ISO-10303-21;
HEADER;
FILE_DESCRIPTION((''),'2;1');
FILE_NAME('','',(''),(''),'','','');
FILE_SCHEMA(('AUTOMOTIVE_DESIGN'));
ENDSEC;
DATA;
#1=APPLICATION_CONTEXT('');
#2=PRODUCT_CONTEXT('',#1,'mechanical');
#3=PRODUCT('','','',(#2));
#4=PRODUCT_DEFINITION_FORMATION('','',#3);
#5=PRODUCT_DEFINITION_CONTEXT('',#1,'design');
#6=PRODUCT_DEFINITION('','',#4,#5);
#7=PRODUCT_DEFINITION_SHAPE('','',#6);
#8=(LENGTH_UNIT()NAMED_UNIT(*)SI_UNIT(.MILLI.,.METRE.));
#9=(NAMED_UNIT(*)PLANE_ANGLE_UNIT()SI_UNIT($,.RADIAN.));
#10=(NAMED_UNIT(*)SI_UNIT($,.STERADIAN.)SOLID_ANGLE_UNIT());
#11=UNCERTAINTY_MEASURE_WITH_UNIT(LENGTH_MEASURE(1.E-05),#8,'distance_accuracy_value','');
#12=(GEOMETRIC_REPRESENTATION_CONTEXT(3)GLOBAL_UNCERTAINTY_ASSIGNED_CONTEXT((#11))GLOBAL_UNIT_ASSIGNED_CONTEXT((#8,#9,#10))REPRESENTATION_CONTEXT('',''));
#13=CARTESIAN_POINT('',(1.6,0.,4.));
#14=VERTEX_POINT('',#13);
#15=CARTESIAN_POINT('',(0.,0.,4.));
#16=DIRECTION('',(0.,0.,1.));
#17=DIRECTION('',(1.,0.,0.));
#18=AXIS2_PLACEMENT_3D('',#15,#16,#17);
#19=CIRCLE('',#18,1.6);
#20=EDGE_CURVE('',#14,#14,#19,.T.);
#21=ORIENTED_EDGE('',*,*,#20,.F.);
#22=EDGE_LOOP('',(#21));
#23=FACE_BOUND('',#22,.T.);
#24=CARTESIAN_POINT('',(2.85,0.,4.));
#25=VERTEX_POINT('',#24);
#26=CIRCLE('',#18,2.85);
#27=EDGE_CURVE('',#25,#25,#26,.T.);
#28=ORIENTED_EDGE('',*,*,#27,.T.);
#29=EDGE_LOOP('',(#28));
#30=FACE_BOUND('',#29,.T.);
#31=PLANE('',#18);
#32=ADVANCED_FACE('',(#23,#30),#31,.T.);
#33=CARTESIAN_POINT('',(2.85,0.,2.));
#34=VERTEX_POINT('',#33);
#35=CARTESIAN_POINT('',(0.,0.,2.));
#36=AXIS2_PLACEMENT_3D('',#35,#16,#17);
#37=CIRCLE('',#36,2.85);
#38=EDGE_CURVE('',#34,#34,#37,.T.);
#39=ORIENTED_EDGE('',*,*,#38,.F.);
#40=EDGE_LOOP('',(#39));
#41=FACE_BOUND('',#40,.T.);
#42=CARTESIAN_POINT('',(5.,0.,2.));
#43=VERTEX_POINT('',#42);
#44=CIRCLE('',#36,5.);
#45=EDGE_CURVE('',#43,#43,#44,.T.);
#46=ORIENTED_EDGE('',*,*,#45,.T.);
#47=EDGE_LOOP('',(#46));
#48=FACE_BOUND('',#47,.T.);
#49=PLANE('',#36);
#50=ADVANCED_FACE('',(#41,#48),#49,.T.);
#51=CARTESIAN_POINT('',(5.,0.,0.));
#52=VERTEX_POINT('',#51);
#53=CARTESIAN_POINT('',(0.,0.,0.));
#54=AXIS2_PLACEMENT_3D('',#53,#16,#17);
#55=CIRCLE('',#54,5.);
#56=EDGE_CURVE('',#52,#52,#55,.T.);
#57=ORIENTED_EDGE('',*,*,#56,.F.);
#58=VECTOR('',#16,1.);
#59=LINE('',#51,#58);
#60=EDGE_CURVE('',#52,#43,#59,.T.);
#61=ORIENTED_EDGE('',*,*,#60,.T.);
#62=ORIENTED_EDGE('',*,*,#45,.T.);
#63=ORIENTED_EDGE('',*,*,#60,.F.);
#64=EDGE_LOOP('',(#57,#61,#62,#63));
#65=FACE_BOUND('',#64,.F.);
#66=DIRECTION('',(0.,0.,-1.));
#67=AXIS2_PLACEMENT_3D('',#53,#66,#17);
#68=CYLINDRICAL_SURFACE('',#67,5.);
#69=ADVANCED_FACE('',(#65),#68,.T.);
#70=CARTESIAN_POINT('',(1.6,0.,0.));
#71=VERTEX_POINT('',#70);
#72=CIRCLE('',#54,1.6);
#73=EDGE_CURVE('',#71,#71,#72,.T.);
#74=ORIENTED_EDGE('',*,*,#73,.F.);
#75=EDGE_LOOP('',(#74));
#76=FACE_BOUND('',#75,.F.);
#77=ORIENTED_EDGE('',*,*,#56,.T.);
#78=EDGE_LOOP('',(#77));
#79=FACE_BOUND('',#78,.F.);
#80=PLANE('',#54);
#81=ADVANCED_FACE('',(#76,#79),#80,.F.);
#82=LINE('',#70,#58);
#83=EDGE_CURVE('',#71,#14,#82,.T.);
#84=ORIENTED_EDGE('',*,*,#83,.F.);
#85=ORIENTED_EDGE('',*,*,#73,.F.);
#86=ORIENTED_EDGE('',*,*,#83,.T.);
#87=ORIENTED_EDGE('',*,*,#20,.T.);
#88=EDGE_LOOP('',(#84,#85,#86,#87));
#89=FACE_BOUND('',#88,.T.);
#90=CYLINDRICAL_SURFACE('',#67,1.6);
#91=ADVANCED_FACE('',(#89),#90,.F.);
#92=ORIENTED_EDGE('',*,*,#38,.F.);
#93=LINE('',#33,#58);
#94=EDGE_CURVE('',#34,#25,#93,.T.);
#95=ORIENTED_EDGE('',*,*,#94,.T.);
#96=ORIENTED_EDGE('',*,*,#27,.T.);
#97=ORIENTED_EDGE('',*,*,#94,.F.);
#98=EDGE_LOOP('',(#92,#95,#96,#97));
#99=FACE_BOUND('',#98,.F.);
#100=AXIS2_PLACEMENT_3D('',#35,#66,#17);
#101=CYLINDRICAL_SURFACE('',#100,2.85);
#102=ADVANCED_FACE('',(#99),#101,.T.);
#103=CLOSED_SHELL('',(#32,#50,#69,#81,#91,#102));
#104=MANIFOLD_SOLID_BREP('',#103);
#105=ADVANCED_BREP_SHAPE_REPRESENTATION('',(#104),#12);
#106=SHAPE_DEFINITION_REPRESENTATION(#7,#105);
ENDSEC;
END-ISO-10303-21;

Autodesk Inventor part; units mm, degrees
ref_plane "YZ Plane" through (0, 0, 0) normal (1, 0, 0) x (0, 1, 0)
ref_plane "XZ Plane" through (0, 0, 0) normal (0, 1, 0) x (-1, 0, 0)
ref_plane "XY Plane" through (0, 0, 0) normal (0, 0, 1) x (1, 0, 0)
sketch "Sketch1" plane through (0, 0, 0) normal (0, 0, 1) x (1, 0, 0)
  circle A0 centre (0, 0) radius 1.6
  circle A1 centre (0, 0) radius 5
  dimension "d0" = 3.2
  dimension "d1" = 10
extrude "Extrusion1" add sketch "Sketch1" along normal blind 2
sketch "Sketch2" plane through (0, 0, 2) normal (0, 0, 1) x (1, 0, 0)
  circle A0 centre (0, 0) radius 1.6 projected
  circle A1 centre (0, 0) radius 2.85
  dimension "d4" = 5.7
extrude "Extrusion2" add sketch "Sketch2" along normal blind 2
properties part number "spacer top 6mm"
